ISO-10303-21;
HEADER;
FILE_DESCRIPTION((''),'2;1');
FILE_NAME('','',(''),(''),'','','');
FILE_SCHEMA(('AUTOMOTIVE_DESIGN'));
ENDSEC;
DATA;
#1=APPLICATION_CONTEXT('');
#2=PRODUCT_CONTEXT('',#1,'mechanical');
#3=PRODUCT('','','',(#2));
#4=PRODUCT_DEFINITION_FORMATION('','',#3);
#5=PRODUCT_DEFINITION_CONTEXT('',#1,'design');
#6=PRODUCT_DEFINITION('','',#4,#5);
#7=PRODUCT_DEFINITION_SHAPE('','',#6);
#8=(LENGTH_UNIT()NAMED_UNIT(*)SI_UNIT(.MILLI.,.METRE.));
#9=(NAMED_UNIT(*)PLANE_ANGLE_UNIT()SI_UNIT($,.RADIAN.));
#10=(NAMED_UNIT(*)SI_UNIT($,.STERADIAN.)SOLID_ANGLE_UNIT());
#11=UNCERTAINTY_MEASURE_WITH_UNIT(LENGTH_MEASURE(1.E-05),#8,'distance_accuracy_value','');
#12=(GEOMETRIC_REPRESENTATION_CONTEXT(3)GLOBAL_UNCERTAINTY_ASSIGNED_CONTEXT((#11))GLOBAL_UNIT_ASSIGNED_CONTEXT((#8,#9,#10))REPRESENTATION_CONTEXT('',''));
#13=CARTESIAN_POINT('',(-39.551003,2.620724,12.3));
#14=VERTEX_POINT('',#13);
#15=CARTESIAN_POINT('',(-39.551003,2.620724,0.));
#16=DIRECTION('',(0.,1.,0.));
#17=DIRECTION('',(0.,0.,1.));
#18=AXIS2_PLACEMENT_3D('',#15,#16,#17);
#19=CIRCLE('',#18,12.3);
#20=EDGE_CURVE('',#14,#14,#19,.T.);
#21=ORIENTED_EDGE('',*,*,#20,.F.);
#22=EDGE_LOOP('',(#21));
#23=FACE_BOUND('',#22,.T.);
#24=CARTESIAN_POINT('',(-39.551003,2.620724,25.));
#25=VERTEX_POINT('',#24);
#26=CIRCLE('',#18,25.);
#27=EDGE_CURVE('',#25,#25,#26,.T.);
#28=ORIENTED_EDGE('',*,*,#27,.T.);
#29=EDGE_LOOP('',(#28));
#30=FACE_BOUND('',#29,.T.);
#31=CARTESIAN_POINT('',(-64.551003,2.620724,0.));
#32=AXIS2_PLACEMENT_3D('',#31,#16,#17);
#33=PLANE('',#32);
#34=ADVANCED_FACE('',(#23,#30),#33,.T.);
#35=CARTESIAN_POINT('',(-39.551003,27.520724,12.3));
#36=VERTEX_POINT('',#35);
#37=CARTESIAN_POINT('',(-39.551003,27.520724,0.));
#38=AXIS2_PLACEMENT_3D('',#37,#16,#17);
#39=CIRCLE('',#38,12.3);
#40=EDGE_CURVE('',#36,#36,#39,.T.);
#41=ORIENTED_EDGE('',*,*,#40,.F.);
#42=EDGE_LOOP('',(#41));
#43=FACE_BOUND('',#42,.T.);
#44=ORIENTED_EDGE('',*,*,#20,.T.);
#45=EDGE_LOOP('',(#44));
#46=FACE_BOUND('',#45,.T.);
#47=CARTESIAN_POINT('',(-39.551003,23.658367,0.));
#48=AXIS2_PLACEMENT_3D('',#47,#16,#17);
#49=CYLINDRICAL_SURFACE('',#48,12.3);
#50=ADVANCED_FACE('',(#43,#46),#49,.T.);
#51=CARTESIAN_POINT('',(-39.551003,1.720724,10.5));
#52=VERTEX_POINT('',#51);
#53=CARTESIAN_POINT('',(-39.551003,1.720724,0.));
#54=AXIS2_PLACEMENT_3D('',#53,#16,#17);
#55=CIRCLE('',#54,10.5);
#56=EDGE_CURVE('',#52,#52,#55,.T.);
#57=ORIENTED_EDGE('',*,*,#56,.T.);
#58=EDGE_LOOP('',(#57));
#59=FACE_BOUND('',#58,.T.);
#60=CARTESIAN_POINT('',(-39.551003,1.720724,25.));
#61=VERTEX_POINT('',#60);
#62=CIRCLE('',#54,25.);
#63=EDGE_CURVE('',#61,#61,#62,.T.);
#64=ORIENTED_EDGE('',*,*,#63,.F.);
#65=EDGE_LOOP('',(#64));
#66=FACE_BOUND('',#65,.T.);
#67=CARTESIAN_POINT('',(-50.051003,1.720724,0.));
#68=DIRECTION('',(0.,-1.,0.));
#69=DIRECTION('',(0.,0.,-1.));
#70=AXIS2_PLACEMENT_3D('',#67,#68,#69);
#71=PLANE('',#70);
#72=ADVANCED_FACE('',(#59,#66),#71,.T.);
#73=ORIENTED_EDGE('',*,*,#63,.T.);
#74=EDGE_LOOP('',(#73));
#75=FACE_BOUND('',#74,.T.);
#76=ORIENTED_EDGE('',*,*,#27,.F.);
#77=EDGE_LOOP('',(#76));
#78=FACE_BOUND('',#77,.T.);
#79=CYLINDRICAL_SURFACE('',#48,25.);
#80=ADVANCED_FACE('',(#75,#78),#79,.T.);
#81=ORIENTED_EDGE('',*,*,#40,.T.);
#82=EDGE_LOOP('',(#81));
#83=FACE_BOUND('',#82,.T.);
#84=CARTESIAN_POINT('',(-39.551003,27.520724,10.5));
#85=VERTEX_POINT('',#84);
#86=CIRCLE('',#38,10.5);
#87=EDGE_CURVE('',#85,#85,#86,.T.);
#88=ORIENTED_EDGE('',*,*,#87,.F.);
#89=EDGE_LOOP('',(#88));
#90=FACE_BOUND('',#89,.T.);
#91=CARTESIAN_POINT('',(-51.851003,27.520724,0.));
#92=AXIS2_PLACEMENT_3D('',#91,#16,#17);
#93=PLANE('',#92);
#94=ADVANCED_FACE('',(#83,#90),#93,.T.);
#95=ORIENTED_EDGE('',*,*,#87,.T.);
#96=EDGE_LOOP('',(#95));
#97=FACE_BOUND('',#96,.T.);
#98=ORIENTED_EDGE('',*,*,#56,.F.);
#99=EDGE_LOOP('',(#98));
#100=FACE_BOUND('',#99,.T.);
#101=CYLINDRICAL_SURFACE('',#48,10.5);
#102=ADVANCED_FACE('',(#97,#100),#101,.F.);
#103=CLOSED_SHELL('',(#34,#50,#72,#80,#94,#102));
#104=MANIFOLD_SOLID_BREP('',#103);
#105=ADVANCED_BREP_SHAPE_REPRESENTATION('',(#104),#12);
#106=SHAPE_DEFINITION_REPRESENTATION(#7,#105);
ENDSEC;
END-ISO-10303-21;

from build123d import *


with BuildPart() as part:
    # Croquis1 → Revolución1 (revolve)
    with BuildSketch(Plane.XY):
        Polygon((-50.051003135, 1.720724123), (-64.551003135, 1.720724123), (-64.551003135, 2.620724123), (-51.851003135, 2.620724123), (-51.851003135, 27.520724123), (-50.051003135, 27.520724123), align=None)
    revolve(axis=Axis((-39.551003135, 23.65836726, 0), (0, -1, 0)))


solid = part.part
